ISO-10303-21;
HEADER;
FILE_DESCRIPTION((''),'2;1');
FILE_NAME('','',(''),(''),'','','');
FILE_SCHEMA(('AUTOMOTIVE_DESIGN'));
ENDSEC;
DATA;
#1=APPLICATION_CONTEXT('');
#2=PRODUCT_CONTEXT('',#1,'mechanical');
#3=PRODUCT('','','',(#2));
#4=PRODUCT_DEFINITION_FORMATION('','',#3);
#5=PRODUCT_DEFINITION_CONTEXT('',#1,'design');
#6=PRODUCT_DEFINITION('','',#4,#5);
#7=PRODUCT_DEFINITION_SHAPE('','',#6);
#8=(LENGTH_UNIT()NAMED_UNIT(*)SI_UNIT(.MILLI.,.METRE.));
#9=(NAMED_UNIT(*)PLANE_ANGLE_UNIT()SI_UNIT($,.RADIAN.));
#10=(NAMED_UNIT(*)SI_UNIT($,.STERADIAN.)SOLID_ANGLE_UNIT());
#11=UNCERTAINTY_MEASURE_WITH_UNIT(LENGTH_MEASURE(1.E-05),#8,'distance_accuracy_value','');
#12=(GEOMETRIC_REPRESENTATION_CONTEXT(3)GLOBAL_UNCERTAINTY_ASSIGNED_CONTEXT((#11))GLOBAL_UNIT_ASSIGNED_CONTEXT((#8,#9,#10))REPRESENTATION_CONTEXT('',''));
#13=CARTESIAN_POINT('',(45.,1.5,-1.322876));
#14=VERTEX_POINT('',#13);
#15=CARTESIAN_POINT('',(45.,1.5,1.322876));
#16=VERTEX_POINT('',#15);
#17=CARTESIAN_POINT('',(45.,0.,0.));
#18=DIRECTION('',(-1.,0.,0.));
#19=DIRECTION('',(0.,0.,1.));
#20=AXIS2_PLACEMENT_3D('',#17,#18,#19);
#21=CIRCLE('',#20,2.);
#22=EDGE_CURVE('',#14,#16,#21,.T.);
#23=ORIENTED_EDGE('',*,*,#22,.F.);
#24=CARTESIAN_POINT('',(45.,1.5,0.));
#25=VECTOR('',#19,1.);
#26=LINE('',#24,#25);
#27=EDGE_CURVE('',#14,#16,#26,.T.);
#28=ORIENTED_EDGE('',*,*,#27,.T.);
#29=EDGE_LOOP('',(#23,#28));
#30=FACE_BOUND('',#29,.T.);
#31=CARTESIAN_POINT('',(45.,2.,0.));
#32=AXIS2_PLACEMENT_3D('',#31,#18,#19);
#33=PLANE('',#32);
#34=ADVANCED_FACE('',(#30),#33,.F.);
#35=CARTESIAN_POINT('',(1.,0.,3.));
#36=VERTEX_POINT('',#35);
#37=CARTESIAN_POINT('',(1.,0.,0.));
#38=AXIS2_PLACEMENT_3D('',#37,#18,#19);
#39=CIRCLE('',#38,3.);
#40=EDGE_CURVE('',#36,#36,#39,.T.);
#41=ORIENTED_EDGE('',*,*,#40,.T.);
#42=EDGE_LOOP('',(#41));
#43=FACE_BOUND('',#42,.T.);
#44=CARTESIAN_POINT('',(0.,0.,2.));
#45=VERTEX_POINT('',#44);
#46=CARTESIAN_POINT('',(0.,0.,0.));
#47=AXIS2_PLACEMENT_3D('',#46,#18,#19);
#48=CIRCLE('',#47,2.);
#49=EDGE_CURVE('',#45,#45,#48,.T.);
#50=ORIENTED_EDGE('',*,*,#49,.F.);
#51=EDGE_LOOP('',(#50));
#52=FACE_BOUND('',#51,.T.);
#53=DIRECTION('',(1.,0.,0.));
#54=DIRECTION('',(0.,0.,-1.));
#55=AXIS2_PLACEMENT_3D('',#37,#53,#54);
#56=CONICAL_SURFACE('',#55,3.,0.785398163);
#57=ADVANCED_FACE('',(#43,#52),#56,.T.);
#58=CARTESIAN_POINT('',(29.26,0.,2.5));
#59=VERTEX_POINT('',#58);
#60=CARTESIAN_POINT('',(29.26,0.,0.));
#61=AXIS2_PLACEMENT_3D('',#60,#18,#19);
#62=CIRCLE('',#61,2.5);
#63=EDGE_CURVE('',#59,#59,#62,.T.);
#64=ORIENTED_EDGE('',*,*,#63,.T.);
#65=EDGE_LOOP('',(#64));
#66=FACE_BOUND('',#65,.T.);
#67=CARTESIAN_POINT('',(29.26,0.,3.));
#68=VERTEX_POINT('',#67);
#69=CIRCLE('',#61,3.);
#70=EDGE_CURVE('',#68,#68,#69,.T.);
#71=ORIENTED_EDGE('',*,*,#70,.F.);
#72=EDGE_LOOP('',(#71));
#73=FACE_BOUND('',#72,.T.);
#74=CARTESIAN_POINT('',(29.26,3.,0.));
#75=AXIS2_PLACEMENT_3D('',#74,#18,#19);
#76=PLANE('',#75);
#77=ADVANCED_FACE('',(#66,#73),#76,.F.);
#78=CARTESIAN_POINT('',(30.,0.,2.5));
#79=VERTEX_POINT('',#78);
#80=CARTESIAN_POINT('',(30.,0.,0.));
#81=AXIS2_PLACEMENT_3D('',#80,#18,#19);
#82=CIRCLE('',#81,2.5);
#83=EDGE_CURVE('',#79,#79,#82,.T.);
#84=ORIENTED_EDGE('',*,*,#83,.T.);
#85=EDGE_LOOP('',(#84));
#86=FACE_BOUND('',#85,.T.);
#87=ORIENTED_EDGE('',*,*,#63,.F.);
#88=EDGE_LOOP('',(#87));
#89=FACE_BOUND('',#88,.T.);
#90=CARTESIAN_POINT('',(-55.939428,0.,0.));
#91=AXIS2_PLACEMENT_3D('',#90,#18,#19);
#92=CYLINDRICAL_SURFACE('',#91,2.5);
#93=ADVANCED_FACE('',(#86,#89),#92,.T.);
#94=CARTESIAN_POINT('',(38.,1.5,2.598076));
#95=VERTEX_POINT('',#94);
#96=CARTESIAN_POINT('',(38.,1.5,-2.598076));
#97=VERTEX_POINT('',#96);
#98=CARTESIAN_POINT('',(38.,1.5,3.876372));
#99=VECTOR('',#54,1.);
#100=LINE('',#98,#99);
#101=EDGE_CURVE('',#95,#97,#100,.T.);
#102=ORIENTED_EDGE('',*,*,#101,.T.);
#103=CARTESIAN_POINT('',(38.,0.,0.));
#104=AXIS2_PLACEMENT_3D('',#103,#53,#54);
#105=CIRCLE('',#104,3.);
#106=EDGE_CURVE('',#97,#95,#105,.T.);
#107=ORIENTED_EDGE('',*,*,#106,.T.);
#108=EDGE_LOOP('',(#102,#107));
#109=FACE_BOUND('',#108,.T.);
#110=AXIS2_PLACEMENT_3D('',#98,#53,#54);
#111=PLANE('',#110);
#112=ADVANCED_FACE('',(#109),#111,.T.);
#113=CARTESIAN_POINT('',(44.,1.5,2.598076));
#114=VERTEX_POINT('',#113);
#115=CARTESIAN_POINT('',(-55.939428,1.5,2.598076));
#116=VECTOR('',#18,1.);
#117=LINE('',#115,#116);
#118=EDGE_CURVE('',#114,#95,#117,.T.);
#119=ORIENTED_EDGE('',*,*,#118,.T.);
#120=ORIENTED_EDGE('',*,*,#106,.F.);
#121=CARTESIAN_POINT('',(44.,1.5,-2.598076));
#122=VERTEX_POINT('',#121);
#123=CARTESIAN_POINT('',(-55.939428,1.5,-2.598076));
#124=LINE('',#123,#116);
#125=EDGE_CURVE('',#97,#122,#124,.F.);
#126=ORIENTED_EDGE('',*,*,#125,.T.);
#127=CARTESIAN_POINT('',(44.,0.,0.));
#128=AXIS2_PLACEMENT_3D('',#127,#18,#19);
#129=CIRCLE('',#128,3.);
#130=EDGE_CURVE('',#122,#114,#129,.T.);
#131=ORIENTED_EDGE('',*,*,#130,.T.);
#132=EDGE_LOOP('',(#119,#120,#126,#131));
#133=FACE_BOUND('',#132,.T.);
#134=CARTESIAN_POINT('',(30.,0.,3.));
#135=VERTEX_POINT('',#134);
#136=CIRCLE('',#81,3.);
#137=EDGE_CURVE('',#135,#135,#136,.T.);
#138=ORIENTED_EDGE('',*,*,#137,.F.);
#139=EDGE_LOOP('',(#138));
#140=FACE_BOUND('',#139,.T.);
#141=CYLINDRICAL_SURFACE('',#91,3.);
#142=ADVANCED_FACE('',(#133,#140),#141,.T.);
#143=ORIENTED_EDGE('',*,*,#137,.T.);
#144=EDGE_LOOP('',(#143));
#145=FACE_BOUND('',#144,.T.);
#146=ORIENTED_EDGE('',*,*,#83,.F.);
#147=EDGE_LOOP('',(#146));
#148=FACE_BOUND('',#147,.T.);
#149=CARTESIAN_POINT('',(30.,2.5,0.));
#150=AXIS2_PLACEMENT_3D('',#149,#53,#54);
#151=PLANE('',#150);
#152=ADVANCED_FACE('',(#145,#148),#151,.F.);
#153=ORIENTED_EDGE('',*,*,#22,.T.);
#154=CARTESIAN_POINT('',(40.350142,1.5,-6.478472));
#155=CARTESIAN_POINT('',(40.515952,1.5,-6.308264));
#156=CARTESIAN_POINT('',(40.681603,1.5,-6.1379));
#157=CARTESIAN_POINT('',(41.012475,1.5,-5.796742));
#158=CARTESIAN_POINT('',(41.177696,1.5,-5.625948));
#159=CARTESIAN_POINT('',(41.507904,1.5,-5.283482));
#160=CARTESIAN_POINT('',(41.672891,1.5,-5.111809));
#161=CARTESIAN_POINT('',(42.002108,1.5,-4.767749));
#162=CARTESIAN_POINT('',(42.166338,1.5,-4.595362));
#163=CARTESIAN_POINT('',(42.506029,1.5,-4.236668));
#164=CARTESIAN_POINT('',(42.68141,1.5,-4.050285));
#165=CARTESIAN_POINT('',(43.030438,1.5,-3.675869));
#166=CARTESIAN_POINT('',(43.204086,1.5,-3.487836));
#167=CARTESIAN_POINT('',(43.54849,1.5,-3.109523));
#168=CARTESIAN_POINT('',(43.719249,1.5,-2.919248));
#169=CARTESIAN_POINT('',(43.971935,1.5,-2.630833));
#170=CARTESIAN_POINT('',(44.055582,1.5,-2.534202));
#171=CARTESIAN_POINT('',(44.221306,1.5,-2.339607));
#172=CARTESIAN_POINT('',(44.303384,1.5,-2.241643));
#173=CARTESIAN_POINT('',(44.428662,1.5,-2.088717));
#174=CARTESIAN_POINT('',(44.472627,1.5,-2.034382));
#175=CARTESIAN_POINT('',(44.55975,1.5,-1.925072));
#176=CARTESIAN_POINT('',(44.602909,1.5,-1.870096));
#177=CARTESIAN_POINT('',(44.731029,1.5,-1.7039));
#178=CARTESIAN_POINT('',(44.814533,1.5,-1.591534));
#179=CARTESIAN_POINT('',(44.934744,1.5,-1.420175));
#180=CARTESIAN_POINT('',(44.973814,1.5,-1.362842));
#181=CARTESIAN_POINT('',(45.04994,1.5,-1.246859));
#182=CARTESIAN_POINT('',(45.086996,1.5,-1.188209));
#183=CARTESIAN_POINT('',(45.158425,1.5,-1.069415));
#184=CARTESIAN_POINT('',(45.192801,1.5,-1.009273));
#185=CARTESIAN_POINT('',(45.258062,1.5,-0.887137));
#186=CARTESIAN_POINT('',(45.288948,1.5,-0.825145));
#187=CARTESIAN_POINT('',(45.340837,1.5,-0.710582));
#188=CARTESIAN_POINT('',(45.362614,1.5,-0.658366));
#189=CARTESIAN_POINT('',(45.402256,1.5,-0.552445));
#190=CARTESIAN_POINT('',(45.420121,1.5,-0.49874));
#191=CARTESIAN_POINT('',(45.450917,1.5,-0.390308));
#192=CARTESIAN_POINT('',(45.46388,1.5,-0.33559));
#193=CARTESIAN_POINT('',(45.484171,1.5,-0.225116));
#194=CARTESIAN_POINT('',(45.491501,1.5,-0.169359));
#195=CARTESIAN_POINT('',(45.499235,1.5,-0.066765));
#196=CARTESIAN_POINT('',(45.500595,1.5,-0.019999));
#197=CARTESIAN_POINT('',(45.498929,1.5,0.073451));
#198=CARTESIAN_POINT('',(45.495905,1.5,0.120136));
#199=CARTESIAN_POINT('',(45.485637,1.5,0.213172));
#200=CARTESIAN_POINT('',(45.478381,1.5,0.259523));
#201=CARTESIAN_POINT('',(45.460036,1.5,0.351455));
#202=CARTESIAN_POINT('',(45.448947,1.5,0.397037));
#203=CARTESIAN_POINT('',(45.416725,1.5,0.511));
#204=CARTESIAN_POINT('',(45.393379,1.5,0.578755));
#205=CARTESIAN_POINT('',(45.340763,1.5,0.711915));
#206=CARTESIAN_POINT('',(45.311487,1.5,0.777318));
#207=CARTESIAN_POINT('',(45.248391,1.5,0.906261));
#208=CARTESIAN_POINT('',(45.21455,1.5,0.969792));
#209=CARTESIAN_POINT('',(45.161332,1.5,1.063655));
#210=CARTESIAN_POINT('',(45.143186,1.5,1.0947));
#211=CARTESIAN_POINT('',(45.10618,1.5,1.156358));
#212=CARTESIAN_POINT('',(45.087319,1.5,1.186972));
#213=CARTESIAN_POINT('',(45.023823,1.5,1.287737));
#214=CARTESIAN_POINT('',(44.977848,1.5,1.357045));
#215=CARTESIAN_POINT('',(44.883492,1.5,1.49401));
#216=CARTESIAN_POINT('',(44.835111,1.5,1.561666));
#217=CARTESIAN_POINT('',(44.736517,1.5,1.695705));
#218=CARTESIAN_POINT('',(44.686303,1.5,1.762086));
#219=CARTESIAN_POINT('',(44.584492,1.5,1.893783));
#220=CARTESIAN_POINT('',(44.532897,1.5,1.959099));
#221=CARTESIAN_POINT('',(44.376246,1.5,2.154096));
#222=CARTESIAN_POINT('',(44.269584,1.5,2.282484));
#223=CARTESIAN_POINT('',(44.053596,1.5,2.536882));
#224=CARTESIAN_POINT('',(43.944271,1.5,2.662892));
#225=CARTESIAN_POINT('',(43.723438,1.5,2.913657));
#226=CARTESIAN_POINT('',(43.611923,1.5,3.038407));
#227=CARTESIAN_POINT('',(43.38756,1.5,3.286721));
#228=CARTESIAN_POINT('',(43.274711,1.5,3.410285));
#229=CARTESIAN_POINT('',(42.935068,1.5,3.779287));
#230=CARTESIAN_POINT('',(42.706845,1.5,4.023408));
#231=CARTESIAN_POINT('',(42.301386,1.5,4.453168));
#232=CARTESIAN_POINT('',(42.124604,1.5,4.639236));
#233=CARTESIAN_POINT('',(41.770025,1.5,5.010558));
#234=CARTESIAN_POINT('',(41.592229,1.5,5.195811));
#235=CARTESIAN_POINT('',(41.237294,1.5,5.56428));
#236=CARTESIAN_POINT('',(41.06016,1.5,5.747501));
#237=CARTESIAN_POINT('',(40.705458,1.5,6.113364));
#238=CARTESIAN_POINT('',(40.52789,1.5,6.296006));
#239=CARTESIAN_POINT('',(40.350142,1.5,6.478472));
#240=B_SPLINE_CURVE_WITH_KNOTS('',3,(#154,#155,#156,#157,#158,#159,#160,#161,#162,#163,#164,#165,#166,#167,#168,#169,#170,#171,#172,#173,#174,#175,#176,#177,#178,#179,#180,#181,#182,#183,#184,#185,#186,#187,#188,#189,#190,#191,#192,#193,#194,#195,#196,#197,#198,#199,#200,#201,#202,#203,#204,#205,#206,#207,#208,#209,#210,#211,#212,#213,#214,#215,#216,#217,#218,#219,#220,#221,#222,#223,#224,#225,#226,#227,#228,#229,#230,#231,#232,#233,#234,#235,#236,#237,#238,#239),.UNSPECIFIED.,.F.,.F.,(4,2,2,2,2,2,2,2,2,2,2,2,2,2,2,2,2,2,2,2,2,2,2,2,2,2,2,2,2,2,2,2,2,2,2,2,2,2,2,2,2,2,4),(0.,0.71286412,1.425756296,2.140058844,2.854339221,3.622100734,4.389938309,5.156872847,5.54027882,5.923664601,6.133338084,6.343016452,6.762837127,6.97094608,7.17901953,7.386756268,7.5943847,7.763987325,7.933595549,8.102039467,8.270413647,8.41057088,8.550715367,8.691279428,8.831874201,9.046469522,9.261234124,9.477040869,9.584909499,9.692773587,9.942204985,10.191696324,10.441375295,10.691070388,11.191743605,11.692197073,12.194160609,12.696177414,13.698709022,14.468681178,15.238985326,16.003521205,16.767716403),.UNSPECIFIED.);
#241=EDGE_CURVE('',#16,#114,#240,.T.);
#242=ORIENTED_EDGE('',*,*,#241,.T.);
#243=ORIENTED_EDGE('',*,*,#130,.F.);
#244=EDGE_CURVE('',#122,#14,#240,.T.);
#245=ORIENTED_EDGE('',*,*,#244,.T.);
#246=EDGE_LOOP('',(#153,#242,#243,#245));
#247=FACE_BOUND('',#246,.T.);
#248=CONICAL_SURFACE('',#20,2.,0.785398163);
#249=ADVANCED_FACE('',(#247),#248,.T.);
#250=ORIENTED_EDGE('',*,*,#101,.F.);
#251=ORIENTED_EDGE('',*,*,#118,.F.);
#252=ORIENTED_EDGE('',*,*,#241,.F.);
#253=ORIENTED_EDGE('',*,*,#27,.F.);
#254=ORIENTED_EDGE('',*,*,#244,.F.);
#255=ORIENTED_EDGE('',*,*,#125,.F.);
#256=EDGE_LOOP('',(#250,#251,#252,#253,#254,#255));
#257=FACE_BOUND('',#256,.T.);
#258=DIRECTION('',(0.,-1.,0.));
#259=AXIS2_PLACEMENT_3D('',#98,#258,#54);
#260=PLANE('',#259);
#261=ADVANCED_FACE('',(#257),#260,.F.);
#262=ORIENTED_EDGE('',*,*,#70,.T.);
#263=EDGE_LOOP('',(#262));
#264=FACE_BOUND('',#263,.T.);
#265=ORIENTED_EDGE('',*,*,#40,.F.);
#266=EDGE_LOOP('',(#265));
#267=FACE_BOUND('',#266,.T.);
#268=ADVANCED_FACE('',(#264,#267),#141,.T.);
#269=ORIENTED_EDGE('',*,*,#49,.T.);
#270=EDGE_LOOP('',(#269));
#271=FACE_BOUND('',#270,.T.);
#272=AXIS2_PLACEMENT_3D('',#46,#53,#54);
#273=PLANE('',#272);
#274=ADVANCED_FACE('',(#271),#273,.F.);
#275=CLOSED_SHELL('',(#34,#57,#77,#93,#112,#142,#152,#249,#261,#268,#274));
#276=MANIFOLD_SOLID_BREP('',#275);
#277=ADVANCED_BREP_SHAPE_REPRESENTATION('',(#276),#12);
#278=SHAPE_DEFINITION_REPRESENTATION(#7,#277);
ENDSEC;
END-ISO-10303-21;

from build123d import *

# Parameters (mm, degrees)
ESQUISSE2_W             = 7.209705372
ESQUISSE2_H             = 2.76140959
ENL_V_MAT_EXTRU_1_DEPTH = 7


with BuildPart() as part:
    # Esquisse1 → Révolution1 (revolve)
    with BuildSketch(Plane.XY, mode=Mode.PRIVATE) as r_volution1_sk:
        Polygon((0, 0), (0, 2), (1, 3), (29.26, 3), (29.26, 2.5), (30, 2.5), (30, 3), (44, 3), (45, 2), (45, 0), align=None)
    revolve(r_volution1_sk.sketch.rotate(Axis((-55.939428076, 0, 0), (1, 0, 0)), 90), axis=Axis((-55.939428076, 0, 0), (1, 0, 0)))  # turned: the seam where the file's is

    # Esquisse2 → Enlèv. mat.-Extru.1 (cut)
    with BuildSketch(Plane(origin=(45, 0, 0), x_dir=(0, 0, -1), z_dir=(1, 0, 0))):
        with Locations((-0.271519353, 2.880704795)):
            Rectangle(ESQUISSE2_W, ESQUISSE2_H)
    extrude(amount=-ENL_V_MAT_EXTRU_1_DEPTH, mode=Mode.SUBTRACT)


solid = part.part
